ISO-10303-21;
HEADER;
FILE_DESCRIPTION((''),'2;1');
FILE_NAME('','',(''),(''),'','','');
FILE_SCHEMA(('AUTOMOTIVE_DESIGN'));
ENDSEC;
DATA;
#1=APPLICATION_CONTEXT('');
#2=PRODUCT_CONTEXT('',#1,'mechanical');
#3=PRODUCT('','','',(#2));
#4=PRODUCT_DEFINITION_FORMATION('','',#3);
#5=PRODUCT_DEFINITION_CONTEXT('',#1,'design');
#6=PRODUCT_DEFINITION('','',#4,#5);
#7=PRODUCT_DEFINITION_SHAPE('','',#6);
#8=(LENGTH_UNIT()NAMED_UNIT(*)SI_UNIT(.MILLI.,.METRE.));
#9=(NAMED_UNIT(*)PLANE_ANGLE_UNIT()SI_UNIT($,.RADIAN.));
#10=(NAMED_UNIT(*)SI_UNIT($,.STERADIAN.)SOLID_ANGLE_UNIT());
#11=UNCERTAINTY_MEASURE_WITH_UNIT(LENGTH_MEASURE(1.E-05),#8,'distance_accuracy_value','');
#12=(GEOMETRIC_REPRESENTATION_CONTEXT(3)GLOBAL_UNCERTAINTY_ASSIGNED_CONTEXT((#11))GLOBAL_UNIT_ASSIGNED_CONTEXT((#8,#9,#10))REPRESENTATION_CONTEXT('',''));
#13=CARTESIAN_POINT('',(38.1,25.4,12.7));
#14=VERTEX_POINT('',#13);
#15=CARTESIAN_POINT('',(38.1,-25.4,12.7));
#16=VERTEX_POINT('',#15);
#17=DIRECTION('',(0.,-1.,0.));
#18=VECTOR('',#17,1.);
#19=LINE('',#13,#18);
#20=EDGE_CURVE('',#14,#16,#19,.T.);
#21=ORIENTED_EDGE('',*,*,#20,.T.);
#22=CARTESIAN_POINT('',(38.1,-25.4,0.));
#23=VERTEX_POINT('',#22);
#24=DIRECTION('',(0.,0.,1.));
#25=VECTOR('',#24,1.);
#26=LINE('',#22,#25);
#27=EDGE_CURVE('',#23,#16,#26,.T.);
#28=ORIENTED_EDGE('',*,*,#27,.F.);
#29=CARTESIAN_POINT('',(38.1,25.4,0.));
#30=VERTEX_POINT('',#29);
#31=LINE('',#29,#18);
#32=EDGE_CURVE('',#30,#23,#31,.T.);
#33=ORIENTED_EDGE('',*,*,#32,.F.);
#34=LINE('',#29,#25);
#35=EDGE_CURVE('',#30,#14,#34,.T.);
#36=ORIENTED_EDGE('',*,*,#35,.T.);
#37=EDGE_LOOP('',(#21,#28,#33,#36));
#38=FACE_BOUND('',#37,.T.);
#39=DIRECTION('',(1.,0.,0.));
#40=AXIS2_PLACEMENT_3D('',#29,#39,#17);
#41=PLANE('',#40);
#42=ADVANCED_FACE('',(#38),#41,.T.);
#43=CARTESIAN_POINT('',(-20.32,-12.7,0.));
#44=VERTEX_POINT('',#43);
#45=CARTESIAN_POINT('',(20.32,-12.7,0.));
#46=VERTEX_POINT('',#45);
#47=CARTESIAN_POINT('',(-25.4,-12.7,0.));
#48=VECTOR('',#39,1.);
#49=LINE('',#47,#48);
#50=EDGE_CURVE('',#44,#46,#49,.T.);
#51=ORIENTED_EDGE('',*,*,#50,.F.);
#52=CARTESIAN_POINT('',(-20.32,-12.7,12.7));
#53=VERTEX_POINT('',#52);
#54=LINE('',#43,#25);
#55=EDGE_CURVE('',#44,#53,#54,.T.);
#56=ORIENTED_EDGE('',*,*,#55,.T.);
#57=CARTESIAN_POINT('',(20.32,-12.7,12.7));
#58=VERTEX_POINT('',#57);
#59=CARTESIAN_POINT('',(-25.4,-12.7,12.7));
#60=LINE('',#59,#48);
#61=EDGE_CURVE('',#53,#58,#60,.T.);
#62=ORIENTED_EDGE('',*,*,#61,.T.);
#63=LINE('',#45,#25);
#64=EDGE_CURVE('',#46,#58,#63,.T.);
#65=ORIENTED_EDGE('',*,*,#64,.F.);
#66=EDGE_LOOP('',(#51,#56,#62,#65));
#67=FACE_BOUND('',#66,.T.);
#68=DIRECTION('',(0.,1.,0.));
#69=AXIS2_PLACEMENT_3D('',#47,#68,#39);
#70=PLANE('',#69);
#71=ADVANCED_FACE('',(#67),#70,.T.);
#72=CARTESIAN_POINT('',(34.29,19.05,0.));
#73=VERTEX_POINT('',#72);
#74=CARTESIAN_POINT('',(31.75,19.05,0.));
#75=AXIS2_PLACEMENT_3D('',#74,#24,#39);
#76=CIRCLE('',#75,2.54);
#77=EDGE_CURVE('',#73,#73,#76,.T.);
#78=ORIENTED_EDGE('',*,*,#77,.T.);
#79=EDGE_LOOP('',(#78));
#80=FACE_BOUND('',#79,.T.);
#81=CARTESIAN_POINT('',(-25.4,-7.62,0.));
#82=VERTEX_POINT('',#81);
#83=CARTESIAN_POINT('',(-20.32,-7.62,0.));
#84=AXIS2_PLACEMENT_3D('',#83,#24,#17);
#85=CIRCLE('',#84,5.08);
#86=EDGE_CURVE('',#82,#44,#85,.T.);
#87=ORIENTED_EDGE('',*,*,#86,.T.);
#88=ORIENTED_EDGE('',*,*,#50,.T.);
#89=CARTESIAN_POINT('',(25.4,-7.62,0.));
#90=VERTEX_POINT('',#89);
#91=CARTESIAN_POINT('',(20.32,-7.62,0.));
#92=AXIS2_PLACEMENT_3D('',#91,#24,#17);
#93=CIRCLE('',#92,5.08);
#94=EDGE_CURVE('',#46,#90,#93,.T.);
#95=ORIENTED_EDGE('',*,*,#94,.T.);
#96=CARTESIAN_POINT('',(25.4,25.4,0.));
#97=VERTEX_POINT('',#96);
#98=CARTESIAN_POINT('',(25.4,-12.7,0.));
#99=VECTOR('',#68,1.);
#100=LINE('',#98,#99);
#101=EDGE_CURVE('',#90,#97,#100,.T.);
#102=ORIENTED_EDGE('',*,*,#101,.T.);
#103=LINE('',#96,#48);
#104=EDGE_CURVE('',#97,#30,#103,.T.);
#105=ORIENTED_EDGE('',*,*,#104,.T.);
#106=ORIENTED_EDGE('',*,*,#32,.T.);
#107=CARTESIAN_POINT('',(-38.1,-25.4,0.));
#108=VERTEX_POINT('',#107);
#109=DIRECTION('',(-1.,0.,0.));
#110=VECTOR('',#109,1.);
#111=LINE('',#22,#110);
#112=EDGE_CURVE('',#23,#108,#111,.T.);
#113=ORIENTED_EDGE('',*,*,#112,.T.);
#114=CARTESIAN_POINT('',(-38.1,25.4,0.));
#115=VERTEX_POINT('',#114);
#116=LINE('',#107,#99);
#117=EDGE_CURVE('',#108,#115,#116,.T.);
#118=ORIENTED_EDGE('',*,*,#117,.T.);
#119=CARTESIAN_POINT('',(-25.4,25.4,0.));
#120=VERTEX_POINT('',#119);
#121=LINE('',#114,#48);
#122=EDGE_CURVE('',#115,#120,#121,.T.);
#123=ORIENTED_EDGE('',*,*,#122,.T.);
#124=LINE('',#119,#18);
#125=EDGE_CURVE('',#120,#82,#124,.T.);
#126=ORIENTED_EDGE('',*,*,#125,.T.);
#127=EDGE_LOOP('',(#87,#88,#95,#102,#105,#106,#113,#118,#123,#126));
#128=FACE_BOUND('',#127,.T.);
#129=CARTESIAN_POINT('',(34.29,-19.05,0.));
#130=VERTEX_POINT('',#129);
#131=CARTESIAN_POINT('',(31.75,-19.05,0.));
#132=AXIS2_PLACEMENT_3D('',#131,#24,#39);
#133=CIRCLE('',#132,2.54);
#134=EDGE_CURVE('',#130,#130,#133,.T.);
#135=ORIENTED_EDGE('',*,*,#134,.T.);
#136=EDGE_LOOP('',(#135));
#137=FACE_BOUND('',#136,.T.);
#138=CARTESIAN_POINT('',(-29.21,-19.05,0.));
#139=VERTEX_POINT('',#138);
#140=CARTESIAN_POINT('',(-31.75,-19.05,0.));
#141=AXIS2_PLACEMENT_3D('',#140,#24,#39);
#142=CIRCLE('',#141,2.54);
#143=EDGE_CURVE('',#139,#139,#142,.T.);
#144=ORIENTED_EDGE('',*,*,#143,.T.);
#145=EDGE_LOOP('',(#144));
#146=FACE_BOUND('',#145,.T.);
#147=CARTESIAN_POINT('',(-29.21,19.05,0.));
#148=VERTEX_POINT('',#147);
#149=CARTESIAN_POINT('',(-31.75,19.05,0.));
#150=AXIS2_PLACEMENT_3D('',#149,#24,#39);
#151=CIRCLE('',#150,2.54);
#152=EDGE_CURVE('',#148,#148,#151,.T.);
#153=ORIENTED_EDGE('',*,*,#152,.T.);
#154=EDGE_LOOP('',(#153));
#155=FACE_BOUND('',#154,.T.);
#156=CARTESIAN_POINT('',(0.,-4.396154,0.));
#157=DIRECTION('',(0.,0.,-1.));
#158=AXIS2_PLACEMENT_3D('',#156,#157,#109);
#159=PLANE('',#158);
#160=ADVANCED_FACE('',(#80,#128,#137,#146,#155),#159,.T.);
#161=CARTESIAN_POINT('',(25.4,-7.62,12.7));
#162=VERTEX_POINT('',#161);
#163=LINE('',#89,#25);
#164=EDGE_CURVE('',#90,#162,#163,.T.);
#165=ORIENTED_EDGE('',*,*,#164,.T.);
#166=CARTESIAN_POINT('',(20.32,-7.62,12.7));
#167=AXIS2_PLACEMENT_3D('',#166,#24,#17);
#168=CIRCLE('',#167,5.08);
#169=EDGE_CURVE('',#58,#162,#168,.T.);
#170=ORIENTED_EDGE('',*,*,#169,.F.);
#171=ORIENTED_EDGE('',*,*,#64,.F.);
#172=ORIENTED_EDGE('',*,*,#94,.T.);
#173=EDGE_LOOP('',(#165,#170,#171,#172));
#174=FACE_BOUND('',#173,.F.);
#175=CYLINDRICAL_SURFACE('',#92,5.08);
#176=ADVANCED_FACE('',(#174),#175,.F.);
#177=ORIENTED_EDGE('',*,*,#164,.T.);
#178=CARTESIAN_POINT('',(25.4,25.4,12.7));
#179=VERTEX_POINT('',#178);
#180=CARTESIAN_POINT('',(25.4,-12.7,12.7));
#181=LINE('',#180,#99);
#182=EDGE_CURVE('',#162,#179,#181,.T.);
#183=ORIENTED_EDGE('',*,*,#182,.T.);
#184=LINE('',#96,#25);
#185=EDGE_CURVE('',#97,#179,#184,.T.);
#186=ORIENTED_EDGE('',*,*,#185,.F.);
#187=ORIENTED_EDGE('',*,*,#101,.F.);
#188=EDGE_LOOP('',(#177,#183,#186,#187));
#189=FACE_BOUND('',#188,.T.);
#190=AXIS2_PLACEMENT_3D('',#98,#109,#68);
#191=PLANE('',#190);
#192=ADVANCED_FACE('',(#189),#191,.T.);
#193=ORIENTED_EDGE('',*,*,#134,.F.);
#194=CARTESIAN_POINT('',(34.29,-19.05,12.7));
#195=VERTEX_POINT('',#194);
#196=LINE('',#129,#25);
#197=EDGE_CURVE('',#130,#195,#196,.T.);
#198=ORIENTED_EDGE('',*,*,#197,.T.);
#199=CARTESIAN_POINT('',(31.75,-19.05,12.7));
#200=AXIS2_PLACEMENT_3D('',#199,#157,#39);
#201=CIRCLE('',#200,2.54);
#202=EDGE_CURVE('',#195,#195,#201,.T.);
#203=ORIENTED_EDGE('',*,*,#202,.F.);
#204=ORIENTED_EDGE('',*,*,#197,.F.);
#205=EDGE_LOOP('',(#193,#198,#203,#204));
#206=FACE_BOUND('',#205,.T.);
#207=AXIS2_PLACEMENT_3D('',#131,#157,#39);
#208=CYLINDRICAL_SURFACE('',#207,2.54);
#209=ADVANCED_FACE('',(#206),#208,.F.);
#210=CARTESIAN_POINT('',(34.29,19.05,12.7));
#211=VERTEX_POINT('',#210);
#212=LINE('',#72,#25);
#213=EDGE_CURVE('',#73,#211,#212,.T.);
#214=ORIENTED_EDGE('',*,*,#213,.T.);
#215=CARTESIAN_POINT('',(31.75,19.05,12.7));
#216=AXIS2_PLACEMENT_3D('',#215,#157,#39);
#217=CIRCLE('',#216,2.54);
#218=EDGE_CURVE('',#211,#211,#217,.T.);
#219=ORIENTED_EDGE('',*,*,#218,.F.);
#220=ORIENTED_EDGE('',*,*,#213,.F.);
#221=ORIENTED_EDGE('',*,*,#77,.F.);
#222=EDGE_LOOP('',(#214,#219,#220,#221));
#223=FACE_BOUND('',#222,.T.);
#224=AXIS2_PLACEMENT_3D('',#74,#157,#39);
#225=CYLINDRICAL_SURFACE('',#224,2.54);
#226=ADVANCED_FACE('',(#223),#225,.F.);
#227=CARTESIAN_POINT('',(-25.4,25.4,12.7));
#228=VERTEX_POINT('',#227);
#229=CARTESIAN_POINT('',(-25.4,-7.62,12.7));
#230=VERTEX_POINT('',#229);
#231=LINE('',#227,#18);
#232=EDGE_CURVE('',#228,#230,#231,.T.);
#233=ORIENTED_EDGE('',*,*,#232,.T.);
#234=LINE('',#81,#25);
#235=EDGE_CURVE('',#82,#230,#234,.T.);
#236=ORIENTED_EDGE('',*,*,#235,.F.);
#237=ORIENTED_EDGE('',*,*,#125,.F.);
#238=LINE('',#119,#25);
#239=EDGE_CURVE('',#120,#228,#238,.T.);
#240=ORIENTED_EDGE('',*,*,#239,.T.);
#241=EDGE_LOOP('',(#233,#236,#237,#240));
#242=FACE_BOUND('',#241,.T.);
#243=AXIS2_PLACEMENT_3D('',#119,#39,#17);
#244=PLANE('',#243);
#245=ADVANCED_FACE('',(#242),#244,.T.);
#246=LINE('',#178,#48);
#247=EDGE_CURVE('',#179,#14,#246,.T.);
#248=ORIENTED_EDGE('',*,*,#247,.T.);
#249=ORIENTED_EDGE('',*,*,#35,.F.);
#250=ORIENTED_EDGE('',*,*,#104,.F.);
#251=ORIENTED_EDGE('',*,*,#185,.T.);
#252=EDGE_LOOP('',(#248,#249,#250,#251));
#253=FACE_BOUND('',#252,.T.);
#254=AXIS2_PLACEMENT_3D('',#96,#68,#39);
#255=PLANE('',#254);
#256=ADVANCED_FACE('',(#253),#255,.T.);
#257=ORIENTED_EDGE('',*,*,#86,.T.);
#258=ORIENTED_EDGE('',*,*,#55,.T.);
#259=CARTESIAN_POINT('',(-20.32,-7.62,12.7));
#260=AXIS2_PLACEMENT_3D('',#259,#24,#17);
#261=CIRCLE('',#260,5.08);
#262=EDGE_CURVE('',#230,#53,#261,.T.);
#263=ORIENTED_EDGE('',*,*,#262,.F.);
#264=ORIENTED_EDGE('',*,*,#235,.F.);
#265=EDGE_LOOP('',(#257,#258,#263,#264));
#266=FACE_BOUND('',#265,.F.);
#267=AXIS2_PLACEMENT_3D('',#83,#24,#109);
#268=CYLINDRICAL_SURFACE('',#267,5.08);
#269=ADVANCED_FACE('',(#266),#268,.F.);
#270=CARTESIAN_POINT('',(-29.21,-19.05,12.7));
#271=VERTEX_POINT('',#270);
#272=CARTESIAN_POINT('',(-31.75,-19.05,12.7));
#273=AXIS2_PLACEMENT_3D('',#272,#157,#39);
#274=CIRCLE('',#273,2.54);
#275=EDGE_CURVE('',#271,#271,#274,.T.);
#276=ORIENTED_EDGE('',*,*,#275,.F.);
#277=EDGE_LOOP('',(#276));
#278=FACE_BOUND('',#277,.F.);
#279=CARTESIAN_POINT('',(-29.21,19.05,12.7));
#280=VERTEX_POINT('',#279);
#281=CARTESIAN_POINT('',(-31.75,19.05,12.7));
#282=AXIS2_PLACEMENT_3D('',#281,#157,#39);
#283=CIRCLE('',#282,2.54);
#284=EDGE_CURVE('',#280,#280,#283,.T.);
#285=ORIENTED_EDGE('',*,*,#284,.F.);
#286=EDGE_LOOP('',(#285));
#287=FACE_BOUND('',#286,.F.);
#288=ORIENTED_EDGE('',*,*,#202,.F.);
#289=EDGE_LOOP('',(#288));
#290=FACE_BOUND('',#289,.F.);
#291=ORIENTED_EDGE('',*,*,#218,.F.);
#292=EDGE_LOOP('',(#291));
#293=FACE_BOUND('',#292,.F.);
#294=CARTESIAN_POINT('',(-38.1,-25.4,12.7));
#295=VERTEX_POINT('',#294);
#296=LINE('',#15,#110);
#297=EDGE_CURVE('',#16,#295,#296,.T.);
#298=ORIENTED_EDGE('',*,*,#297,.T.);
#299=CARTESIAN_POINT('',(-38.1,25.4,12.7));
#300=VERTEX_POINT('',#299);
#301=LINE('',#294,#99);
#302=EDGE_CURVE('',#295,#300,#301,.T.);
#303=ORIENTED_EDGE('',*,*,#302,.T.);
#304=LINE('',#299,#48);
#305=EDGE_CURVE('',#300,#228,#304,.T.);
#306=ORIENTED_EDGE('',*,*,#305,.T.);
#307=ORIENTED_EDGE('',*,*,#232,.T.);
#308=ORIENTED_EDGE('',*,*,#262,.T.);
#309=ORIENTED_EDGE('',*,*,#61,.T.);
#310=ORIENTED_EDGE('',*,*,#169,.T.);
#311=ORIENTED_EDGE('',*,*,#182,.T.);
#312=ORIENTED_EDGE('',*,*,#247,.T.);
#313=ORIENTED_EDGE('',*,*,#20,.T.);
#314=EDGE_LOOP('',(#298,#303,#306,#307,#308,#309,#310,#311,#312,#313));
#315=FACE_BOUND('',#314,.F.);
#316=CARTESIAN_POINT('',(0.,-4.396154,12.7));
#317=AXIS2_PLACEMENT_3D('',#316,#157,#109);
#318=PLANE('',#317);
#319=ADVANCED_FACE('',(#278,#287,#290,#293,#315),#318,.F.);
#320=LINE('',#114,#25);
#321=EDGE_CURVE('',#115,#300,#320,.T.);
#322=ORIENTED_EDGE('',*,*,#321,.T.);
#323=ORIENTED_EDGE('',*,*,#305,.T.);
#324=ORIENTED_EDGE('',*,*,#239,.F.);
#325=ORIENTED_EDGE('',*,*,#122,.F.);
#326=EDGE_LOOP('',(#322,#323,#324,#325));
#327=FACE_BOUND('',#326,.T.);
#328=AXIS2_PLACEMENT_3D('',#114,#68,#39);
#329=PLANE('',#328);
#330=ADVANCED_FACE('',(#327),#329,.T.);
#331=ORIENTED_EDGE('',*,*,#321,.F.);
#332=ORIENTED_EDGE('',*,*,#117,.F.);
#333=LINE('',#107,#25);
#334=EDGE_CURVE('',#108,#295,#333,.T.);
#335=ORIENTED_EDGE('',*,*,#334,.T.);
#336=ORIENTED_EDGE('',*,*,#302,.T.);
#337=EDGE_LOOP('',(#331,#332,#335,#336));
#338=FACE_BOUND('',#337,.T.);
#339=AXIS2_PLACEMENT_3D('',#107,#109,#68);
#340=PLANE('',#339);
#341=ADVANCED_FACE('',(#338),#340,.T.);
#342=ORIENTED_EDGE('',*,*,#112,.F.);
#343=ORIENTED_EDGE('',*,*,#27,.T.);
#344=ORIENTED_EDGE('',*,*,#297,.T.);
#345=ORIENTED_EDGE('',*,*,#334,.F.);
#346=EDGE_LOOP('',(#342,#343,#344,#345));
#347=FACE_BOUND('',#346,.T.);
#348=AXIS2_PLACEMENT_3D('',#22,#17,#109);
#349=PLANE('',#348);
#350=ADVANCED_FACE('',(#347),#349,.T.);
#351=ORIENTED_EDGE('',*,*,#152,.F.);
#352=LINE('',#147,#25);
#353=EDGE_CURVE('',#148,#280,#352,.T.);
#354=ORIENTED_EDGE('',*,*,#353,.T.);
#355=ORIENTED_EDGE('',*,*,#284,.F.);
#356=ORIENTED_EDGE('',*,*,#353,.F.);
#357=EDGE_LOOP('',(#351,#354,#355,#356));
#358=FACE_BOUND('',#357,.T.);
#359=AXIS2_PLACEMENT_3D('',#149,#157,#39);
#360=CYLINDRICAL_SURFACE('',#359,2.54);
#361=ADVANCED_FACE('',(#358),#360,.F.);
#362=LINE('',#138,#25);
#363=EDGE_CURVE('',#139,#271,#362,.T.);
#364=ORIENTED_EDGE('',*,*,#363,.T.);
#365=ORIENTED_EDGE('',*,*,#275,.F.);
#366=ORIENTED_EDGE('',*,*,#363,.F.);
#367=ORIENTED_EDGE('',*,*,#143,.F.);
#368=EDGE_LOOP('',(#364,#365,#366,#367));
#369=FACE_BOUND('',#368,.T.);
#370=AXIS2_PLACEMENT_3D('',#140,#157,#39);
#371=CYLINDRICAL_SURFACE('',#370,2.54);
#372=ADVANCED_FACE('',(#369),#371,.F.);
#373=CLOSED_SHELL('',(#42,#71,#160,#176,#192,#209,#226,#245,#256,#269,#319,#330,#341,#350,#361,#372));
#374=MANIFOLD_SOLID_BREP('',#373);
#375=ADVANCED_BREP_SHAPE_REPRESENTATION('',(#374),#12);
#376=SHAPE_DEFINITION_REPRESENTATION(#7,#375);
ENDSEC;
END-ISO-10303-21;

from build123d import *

# Parameters (mm, degrees)
BOSS_EXTRUDE1_DEPTH     = 12.7
SKETCH4_R               = 2.54
CUT_EXTRUDE3_DEPTH      = 13.7
CUT_EXTRUDE3_DEPTH_BACK = 1
FILLET1_R               = 5.08


with BuildPart() as part:
    # Sketch2 → Boss-Extrude1 (new body)
    with BuildSketch(Plane.XY):
        Polygon((-25.4, 25.4), (-25.4, -12.7), (25.4, -12.7), (25.4, 25.4), (38.1, 25.4), (38.1, -25.4), (-38.1, -25.4), (-38.1, 25.4), align=None)
    extrude(amount=BOSS_EXTRUDE1_DEPTH)

    # Sketch4 → Cut-Extrude3 (cut, two sides)
    with BuildSketch(Plane.XY) as cut_extrude3_sk:
        with Locations((-31.75, 19.05)):
            Circle(SKETCH4_R)
        with Locations((31.75, 19.05)):
            Circle(SKETCH4_R)
        with Locations((31.75, -19.05)):
            Circle(SKETCH4_R)
        with Locations((-31.75, -19.05)):
            Circle(SKETCH4_R)
    extrude(amount=CUT_EXTRUDE3_DEPTH, mode=Mode.SUBTRACT)
    extrude(cut_extrude3_sk.sketch, amount=-CUT_EXTRUDE3_DEPTH_BACK, mode=Mode.SUBTRACT)

    # Fillet1
    fillet1_edges = [part.edges().sort_by_distance(p)[0] for p in [
        (-25.4, -12.7, 6.35),
        (25.4, -12.7, 6.35),
    ]]
    fillet(fillet1_edges, radius=FILLET1_R)


solid = part.part
